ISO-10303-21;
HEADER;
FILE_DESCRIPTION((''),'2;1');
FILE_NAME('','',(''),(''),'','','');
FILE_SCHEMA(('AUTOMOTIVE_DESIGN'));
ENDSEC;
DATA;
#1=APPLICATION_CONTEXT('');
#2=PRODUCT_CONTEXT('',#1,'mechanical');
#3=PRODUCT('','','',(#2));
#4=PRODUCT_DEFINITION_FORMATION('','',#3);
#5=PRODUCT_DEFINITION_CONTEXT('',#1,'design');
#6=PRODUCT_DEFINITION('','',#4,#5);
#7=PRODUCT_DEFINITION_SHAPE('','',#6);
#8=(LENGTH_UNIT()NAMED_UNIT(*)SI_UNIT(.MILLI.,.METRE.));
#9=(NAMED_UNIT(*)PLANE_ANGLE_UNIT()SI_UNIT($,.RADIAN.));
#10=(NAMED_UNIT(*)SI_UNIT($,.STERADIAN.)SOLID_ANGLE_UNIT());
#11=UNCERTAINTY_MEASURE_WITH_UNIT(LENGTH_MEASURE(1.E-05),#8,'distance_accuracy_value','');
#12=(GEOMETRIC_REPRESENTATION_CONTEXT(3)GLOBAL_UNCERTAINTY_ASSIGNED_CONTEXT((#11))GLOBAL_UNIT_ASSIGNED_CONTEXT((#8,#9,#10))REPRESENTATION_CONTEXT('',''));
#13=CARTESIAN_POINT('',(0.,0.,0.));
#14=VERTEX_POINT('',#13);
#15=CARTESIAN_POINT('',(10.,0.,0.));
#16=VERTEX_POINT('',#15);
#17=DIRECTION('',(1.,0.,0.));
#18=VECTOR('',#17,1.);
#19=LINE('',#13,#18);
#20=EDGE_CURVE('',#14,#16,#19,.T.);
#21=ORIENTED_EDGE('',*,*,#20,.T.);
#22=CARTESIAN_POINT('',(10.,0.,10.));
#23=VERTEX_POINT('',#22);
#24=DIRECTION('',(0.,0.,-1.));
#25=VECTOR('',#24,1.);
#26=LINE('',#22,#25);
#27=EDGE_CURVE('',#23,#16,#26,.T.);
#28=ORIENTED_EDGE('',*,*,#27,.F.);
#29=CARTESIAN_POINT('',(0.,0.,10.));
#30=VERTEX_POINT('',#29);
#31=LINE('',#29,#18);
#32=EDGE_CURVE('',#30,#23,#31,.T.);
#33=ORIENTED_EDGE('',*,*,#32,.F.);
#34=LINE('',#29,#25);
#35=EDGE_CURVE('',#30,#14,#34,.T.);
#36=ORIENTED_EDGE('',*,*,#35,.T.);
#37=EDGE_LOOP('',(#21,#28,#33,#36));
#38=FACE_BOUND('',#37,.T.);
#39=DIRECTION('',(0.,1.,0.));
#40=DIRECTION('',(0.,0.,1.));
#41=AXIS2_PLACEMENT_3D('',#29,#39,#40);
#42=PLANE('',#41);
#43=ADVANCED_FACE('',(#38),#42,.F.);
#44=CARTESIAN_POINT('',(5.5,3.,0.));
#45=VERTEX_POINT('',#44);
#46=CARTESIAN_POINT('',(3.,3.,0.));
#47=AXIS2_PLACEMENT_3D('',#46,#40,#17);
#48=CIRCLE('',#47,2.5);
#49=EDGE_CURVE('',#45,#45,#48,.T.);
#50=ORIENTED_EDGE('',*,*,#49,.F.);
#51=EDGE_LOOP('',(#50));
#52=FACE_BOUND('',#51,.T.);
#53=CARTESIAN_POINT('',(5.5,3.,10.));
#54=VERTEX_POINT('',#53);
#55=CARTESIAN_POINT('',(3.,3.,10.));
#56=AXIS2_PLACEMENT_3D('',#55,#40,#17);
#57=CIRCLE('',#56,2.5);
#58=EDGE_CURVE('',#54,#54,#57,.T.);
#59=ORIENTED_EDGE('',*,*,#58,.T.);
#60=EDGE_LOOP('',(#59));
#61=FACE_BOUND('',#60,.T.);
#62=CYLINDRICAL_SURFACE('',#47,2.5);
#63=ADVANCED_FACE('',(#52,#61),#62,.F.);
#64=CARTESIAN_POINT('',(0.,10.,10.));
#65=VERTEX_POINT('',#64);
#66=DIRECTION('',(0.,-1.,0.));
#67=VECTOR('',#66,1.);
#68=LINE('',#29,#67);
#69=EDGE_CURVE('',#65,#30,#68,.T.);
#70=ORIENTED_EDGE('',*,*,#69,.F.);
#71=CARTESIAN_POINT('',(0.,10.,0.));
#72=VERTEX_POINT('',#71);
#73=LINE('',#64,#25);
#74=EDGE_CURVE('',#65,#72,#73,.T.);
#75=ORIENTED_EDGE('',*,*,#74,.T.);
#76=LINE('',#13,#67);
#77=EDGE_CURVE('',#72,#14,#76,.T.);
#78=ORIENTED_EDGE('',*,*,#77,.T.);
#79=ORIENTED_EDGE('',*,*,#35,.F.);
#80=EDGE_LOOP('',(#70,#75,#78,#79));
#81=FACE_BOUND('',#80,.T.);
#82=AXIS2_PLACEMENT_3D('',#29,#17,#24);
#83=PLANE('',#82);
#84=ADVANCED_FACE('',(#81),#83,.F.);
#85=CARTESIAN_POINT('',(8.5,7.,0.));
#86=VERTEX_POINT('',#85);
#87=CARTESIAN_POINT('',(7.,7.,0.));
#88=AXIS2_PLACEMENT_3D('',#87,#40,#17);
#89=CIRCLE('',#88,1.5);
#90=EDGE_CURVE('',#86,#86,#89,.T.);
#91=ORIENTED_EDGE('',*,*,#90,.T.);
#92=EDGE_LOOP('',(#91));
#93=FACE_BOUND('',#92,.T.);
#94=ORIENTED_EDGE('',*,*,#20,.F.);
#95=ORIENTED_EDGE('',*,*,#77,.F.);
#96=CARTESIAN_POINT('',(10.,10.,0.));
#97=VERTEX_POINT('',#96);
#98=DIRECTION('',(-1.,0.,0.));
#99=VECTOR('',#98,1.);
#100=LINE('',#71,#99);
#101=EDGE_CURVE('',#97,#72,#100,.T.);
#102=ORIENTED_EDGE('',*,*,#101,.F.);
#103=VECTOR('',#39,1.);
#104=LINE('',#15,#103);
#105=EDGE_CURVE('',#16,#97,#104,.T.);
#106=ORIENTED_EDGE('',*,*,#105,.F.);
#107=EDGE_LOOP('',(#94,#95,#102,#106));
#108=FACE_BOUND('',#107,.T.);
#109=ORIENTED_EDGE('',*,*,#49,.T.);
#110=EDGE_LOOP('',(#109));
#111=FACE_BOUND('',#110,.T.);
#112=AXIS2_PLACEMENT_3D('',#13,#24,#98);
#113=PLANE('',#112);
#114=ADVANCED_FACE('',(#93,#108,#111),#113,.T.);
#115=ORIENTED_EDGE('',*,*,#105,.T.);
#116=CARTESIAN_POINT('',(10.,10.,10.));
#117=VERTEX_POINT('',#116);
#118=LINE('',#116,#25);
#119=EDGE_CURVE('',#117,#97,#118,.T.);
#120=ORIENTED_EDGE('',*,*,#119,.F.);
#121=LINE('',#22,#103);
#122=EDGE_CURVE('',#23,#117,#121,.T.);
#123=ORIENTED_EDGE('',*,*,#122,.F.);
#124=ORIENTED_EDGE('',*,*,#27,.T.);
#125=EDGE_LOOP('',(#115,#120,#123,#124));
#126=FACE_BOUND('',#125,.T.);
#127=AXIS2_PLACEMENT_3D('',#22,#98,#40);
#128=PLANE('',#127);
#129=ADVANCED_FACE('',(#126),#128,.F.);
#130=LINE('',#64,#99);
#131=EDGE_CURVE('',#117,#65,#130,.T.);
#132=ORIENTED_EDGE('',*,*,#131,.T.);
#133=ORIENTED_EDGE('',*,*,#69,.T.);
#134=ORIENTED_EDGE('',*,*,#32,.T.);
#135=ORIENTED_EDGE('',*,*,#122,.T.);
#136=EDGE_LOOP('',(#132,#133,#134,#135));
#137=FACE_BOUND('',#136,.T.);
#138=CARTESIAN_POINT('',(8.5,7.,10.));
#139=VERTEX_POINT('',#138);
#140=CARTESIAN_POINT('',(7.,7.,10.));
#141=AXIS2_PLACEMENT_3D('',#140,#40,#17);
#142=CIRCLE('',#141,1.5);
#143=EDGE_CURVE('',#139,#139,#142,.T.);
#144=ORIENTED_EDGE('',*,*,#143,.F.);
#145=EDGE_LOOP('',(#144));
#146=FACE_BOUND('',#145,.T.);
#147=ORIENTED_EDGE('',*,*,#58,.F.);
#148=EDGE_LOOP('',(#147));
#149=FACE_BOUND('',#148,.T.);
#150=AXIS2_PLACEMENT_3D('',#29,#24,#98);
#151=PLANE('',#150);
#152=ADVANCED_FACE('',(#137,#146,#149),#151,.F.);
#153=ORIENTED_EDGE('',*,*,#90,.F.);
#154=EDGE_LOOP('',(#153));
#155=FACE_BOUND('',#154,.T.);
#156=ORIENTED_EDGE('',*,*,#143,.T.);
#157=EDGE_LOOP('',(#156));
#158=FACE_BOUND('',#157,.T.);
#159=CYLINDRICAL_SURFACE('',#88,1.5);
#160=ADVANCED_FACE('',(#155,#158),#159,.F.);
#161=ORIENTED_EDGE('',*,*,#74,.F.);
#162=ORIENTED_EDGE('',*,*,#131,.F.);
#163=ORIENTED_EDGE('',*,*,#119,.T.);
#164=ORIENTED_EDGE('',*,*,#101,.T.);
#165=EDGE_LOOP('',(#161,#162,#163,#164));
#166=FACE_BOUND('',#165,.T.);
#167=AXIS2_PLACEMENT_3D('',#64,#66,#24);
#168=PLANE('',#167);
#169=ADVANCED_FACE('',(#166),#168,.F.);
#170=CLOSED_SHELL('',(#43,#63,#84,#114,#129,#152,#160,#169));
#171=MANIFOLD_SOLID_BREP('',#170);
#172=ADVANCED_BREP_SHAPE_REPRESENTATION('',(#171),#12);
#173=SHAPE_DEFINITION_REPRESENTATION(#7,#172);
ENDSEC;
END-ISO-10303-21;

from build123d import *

# Parameters (mm, degrees)
SKETCH1_W           = 10
SKETCH1_H           = 10
BOSS_EXTRUDE1_DEPTH = 10
SKETCH2_R           = 2.5
CUT_EXTRUDE1_DEPTH  = 18.320508076
SKETCH3_R           = 1.5
CUT_EXTRUDE2_DEPTH  = 18.320508076


with BuildPart() as part:
    # Sketch1 → Boss-Extrude1 (new body)
    with BuildSketch(Plane.XY):
        with Locations((5, 5)):
            Rectangle(SKETCH1_W, SKETCH1_H)
    extrude(amount=BOSS_EXTRUDE1_DEPTH)

    # Sketch2 → Cut-Extrude1 (cut, through all)
    with BuildSketch(Plane.XY.offset(10)):
        with Locations((3, 3)):
            Circle(SKETCH2_R)
    extrude(amount=-CUT_EXTRUDE1_DEPTH, mode=Mode.SUBTRACT)

    # Sketch3 → Cut-Extrude2 (cut, through all)
    with BuildSketch(Plane.XY.offset(10)):
        with Locations((7, 7)):
            Circle(SKETCH3_R)
    extrude(amount=-CUT_EXTRUDE2_DEPTH, mode=Mode.SUBTRACT)


solid = part.part
